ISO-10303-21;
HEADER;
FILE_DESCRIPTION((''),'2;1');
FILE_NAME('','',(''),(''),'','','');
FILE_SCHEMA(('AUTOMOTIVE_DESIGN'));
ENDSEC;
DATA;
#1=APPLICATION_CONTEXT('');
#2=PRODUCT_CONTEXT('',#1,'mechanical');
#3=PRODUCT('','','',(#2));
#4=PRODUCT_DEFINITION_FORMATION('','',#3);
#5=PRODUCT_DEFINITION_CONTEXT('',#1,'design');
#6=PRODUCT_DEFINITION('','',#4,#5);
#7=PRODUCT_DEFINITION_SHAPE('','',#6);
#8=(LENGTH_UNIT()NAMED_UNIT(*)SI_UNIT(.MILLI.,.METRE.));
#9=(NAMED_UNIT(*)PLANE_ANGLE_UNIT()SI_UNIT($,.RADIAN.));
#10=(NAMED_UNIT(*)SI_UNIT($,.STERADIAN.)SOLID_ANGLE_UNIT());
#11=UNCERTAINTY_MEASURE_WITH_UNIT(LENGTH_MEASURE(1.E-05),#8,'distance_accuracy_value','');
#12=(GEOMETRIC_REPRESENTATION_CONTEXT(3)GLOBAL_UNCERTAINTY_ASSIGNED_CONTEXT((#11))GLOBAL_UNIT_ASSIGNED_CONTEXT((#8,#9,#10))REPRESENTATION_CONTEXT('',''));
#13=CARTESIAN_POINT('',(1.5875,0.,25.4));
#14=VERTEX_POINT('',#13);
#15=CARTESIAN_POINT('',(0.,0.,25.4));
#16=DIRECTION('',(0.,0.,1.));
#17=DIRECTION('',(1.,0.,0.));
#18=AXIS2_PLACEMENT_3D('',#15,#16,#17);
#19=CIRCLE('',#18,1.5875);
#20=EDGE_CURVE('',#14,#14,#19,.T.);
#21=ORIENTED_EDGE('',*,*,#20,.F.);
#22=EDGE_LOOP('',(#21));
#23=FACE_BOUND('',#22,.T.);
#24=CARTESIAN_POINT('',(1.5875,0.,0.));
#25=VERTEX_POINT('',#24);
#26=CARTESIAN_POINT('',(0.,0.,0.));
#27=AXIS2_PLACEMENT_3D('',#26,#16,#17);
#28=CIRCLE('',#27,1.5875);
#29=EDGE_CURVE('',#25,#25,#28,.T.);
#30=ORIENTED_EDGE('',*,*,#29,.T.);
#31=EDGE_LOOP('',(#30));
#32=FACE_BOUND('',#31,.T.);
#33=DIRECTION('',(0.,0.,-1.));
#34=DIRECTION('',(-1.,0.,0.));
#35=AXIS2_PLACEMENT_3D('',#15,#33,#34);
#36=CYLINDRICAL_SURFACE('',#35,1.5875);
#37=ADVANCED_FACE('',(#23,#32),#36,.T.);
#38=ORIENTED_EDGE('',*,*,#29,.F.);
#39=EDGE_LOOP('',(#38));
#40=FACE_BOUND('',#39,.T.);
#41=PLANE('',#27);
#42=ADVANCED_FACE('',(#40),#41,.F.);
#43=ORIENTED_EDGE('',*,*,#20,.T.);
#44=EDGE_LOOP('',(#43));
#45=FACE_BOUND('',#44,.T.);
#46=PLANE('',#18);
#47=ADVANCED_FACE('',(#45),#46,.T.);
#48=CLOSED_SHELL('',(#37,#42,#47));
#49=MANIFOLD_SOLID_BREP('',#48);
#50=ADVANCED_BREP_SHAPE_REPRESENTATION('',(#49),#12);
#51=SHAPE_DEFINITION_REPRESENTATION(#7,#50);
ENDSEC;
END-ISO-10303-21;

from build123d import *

# Parameters (mm, degrees)
SKETCH1_R           = 1.5875
BOSS_EXTRUDE1_DEPTH = 25.4


with BuildPart() as part:
    # Sketch1 → Boss-Extrude1 (new body)
    with BuildSketch(Plane.XY):
        Circle(SKETCH1_R)
    extrude(amount=BOSS_EXTRUDE1_DEPTH)


solid = part.part
